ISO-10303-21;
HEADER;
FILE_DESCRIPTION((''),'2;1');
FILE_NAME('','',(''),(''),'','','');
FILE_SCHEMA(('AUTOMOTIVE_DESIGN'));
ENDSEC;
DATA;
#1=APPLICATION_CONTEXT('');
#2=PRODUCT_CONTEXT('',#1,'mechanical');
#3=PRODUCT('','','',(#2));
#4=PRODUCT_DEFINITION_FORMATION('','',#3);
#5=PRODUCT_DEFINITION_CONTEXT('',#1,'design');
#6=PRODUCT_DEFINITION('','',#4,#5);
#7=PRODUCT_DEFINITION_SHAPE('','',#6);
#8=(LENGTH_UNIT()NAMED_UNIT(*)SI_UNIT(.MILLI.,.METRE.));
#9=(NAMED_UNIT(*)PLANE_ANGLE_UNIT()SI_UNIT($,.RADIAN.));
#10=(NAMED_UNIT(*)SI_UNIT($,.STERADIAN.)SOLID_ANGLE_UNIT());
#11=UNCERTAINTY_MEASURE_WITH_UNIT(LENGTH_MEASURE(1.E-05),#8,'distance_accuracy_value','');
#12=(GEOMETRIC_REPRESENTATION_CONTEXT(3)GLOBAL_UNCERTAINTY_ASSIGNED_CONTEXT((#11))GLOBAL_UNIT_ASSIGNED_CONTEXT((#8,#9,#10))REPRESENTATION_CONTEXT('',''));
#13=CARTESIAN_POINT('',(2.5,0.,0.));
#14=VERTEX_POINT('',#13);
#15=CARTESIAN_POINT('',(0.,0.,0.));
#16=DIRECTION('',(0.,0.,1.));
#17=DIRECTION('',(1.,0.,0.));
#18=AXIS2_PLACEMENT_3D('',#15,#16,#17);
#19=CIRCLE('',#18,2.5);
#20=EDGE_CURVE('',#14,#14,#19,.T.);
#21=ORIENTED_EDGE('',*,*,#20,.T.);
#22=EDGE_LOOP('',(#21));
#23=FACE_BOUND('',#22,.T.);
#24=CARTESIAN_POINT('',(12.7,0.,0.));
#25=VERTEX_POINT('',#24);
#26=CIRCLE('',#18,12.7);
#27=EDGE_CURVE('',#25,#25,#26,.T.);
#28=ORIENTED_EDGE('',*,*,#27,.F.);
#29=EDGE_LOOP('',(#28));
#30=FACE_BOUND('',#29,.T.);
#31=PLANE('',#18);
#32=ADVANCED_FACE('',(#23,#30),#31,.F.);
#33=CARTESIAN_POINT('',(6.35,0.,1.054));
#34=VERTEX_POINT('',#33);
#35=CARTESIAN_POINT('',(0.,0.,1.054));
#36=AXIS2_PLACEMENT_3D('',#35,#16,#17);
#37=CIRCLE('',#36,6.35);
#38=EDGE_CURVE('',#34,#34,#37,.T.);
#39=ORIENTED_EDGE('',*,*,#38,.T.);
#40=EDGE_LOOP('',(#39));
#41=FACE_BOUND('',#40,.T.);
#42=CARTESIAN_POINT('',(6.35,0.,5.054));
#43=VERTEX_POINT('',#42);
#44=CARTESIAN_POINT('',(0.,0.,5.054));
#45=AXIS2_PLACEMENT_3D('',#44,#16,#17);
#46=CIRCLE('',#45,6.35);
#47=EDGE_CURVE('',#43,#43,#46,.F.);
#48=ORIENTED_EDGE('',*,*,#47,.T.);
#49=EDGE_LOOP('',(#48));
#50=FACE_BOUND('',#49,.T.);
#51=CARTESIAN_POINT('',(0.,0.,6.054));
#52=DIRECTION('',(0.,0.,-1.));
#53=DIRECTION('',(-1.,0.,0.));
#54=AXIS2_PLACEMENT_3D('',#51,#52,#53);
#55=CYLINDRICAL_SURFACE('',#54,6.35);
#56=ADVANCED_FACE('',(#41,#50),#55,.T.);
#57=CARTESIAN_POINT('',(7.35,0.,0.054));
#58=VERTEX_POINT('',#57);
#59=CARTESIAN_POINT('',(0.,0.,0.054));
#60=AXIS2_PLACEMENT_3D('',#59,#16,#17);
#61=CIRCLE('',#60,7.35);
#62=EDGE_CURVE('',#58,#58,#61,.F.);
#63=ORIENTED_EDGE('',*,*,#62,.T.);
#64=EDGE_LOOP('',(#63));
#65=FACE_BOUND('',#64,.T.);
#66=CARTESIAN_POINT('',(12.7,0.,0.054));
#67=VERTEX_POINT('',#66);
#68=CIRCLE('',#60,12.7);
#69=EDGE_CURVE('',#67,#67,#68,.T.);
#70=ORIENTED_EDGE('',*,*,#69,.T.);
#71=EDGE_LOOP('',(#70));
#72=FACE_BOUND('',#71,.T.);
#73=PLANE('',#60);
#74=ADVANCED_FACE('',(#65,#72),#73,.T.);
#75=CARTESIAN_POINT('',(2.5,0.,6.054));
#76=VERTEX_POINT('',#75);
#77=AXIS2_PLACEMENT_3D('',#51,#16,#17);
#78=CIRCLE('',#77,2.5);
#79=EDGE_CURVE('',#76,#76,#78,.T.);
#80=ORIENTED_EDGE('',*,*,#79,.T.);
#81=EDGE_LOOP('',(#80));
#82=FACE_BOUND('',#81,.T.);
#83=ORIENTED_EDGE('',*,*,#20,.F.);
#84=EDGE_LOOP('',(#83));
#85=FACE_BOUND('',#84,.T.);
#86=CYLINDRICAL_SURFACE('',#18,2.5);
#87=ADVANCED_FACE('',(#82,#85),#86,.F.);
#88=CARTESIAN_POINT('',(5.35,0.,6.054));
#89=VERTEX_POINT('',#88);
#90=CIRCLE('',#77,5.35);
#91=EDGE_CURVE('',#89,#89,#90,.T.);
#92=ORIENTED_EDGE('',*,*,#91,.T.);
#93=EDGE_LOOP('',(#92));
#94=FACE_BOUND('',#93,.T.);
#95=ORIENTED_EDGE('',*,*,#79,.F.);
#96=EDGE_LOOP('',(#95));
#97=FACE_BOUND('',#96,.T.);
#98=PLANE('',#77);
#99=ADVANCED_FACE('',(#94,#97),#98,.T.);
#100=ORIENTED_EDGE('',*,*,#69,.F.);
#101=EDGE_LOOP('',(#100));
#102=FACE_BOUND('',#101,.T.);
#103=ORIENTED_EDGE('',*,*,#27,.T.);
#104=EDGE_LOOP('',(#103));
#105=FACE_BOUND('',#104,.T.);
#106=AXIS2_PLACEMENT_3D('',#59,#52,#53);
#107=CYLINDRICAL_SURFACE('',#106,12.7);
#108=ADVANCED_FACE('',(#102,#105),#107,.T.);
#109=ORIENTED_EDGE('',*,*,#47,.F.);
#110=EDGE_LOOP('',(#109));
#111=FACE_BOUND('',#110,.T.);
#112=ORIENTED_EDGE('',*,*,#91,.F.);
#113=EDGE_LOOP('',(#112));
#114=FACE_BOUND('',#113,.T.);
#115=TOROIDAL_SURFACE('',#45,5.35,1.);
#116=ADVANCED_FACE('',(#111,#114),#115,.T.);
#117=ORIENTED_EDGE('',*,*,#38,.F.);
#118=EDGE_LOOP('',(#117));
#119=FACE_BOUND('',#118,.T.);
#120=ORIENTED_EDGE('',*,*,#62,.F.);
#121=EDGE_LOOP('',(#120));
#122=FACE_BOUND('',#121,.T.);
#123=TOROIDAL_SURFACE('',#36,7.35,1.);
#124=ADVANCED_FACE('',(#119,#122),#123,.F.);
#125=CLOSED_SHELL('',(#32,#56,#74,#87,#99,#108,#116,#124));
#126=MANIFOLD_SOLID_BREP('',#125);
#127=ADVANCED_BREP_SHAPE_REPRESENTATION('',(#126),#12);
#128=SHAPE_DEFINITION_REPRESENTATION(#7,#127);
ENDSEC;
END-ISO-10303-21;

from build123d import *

# Parameters (mm, degrees)
SZKIC1_R                        = 12.7
DODANIE_WYCI_GNI_CIE1_DEPTH     = 0.054
SZKIC2_R                        = 6.35
DODANIE_WYCI_GNI_CIE2_DEPTH     = 6
WYTNIJ_WYCI_GNI_CIE1_DEPTH      = 19.953387982
WYTNIJ_WYCI_GNI_CIE1_DEPTH_BACK = 19.953387982
SZKIC3_R                        = 2.5
ZAOKR_GLENIE2_R                 = 1


with BuildPart() as part:
    # Szkic1 → Dodanie-wyciągnięcie1 (new body)
    with BuildSketch(Plane.XY):
        Circle(SZKIC1_R)
    extrude(amount=DODANIE_WYCI_GNI_CIE1_DEPTH)

    # Szkic2 → Dodanie-wyciągnięcie2 (add)
    with BuildSketch(Plane.XY.offset(0.054)):
        Circle(SZKIC2_R)
    extrude(amount=DODANIE_WYCI_GNI_CIE2_DEPTH)

    # Szkic3 → Wytnij-wyciągnięcie1 (cut, two sides: drawn at the far end of the back side and taken through both)
    with BuildSketch(Plane.XY.offset(6.054).offset(-WYTNIJ_WYCI_GNI_CIE1_DEPTH_BACK)):
        Circle(SZKIC3_R)
    extrude(amount=WYTNIJ_WYCI_GNI_CIE1_DEPTH + WYTNIJ_WYCI_GNI_CIE1_DEPTH_BACK, mode=Mode.SUBTRACT)

    # Zaokrąglenie2
    zaokr_glenie2_edges = [part.edges().sort_by_distance(p)[0] for p in [
        (-6.35, 0, 0.054),
        (-6.35, 0, 6.054),
    ]]
    fillet(zaokr_glenie2_edges, radius=ZAOKR_GLENIE2_R)


solid = part.part
